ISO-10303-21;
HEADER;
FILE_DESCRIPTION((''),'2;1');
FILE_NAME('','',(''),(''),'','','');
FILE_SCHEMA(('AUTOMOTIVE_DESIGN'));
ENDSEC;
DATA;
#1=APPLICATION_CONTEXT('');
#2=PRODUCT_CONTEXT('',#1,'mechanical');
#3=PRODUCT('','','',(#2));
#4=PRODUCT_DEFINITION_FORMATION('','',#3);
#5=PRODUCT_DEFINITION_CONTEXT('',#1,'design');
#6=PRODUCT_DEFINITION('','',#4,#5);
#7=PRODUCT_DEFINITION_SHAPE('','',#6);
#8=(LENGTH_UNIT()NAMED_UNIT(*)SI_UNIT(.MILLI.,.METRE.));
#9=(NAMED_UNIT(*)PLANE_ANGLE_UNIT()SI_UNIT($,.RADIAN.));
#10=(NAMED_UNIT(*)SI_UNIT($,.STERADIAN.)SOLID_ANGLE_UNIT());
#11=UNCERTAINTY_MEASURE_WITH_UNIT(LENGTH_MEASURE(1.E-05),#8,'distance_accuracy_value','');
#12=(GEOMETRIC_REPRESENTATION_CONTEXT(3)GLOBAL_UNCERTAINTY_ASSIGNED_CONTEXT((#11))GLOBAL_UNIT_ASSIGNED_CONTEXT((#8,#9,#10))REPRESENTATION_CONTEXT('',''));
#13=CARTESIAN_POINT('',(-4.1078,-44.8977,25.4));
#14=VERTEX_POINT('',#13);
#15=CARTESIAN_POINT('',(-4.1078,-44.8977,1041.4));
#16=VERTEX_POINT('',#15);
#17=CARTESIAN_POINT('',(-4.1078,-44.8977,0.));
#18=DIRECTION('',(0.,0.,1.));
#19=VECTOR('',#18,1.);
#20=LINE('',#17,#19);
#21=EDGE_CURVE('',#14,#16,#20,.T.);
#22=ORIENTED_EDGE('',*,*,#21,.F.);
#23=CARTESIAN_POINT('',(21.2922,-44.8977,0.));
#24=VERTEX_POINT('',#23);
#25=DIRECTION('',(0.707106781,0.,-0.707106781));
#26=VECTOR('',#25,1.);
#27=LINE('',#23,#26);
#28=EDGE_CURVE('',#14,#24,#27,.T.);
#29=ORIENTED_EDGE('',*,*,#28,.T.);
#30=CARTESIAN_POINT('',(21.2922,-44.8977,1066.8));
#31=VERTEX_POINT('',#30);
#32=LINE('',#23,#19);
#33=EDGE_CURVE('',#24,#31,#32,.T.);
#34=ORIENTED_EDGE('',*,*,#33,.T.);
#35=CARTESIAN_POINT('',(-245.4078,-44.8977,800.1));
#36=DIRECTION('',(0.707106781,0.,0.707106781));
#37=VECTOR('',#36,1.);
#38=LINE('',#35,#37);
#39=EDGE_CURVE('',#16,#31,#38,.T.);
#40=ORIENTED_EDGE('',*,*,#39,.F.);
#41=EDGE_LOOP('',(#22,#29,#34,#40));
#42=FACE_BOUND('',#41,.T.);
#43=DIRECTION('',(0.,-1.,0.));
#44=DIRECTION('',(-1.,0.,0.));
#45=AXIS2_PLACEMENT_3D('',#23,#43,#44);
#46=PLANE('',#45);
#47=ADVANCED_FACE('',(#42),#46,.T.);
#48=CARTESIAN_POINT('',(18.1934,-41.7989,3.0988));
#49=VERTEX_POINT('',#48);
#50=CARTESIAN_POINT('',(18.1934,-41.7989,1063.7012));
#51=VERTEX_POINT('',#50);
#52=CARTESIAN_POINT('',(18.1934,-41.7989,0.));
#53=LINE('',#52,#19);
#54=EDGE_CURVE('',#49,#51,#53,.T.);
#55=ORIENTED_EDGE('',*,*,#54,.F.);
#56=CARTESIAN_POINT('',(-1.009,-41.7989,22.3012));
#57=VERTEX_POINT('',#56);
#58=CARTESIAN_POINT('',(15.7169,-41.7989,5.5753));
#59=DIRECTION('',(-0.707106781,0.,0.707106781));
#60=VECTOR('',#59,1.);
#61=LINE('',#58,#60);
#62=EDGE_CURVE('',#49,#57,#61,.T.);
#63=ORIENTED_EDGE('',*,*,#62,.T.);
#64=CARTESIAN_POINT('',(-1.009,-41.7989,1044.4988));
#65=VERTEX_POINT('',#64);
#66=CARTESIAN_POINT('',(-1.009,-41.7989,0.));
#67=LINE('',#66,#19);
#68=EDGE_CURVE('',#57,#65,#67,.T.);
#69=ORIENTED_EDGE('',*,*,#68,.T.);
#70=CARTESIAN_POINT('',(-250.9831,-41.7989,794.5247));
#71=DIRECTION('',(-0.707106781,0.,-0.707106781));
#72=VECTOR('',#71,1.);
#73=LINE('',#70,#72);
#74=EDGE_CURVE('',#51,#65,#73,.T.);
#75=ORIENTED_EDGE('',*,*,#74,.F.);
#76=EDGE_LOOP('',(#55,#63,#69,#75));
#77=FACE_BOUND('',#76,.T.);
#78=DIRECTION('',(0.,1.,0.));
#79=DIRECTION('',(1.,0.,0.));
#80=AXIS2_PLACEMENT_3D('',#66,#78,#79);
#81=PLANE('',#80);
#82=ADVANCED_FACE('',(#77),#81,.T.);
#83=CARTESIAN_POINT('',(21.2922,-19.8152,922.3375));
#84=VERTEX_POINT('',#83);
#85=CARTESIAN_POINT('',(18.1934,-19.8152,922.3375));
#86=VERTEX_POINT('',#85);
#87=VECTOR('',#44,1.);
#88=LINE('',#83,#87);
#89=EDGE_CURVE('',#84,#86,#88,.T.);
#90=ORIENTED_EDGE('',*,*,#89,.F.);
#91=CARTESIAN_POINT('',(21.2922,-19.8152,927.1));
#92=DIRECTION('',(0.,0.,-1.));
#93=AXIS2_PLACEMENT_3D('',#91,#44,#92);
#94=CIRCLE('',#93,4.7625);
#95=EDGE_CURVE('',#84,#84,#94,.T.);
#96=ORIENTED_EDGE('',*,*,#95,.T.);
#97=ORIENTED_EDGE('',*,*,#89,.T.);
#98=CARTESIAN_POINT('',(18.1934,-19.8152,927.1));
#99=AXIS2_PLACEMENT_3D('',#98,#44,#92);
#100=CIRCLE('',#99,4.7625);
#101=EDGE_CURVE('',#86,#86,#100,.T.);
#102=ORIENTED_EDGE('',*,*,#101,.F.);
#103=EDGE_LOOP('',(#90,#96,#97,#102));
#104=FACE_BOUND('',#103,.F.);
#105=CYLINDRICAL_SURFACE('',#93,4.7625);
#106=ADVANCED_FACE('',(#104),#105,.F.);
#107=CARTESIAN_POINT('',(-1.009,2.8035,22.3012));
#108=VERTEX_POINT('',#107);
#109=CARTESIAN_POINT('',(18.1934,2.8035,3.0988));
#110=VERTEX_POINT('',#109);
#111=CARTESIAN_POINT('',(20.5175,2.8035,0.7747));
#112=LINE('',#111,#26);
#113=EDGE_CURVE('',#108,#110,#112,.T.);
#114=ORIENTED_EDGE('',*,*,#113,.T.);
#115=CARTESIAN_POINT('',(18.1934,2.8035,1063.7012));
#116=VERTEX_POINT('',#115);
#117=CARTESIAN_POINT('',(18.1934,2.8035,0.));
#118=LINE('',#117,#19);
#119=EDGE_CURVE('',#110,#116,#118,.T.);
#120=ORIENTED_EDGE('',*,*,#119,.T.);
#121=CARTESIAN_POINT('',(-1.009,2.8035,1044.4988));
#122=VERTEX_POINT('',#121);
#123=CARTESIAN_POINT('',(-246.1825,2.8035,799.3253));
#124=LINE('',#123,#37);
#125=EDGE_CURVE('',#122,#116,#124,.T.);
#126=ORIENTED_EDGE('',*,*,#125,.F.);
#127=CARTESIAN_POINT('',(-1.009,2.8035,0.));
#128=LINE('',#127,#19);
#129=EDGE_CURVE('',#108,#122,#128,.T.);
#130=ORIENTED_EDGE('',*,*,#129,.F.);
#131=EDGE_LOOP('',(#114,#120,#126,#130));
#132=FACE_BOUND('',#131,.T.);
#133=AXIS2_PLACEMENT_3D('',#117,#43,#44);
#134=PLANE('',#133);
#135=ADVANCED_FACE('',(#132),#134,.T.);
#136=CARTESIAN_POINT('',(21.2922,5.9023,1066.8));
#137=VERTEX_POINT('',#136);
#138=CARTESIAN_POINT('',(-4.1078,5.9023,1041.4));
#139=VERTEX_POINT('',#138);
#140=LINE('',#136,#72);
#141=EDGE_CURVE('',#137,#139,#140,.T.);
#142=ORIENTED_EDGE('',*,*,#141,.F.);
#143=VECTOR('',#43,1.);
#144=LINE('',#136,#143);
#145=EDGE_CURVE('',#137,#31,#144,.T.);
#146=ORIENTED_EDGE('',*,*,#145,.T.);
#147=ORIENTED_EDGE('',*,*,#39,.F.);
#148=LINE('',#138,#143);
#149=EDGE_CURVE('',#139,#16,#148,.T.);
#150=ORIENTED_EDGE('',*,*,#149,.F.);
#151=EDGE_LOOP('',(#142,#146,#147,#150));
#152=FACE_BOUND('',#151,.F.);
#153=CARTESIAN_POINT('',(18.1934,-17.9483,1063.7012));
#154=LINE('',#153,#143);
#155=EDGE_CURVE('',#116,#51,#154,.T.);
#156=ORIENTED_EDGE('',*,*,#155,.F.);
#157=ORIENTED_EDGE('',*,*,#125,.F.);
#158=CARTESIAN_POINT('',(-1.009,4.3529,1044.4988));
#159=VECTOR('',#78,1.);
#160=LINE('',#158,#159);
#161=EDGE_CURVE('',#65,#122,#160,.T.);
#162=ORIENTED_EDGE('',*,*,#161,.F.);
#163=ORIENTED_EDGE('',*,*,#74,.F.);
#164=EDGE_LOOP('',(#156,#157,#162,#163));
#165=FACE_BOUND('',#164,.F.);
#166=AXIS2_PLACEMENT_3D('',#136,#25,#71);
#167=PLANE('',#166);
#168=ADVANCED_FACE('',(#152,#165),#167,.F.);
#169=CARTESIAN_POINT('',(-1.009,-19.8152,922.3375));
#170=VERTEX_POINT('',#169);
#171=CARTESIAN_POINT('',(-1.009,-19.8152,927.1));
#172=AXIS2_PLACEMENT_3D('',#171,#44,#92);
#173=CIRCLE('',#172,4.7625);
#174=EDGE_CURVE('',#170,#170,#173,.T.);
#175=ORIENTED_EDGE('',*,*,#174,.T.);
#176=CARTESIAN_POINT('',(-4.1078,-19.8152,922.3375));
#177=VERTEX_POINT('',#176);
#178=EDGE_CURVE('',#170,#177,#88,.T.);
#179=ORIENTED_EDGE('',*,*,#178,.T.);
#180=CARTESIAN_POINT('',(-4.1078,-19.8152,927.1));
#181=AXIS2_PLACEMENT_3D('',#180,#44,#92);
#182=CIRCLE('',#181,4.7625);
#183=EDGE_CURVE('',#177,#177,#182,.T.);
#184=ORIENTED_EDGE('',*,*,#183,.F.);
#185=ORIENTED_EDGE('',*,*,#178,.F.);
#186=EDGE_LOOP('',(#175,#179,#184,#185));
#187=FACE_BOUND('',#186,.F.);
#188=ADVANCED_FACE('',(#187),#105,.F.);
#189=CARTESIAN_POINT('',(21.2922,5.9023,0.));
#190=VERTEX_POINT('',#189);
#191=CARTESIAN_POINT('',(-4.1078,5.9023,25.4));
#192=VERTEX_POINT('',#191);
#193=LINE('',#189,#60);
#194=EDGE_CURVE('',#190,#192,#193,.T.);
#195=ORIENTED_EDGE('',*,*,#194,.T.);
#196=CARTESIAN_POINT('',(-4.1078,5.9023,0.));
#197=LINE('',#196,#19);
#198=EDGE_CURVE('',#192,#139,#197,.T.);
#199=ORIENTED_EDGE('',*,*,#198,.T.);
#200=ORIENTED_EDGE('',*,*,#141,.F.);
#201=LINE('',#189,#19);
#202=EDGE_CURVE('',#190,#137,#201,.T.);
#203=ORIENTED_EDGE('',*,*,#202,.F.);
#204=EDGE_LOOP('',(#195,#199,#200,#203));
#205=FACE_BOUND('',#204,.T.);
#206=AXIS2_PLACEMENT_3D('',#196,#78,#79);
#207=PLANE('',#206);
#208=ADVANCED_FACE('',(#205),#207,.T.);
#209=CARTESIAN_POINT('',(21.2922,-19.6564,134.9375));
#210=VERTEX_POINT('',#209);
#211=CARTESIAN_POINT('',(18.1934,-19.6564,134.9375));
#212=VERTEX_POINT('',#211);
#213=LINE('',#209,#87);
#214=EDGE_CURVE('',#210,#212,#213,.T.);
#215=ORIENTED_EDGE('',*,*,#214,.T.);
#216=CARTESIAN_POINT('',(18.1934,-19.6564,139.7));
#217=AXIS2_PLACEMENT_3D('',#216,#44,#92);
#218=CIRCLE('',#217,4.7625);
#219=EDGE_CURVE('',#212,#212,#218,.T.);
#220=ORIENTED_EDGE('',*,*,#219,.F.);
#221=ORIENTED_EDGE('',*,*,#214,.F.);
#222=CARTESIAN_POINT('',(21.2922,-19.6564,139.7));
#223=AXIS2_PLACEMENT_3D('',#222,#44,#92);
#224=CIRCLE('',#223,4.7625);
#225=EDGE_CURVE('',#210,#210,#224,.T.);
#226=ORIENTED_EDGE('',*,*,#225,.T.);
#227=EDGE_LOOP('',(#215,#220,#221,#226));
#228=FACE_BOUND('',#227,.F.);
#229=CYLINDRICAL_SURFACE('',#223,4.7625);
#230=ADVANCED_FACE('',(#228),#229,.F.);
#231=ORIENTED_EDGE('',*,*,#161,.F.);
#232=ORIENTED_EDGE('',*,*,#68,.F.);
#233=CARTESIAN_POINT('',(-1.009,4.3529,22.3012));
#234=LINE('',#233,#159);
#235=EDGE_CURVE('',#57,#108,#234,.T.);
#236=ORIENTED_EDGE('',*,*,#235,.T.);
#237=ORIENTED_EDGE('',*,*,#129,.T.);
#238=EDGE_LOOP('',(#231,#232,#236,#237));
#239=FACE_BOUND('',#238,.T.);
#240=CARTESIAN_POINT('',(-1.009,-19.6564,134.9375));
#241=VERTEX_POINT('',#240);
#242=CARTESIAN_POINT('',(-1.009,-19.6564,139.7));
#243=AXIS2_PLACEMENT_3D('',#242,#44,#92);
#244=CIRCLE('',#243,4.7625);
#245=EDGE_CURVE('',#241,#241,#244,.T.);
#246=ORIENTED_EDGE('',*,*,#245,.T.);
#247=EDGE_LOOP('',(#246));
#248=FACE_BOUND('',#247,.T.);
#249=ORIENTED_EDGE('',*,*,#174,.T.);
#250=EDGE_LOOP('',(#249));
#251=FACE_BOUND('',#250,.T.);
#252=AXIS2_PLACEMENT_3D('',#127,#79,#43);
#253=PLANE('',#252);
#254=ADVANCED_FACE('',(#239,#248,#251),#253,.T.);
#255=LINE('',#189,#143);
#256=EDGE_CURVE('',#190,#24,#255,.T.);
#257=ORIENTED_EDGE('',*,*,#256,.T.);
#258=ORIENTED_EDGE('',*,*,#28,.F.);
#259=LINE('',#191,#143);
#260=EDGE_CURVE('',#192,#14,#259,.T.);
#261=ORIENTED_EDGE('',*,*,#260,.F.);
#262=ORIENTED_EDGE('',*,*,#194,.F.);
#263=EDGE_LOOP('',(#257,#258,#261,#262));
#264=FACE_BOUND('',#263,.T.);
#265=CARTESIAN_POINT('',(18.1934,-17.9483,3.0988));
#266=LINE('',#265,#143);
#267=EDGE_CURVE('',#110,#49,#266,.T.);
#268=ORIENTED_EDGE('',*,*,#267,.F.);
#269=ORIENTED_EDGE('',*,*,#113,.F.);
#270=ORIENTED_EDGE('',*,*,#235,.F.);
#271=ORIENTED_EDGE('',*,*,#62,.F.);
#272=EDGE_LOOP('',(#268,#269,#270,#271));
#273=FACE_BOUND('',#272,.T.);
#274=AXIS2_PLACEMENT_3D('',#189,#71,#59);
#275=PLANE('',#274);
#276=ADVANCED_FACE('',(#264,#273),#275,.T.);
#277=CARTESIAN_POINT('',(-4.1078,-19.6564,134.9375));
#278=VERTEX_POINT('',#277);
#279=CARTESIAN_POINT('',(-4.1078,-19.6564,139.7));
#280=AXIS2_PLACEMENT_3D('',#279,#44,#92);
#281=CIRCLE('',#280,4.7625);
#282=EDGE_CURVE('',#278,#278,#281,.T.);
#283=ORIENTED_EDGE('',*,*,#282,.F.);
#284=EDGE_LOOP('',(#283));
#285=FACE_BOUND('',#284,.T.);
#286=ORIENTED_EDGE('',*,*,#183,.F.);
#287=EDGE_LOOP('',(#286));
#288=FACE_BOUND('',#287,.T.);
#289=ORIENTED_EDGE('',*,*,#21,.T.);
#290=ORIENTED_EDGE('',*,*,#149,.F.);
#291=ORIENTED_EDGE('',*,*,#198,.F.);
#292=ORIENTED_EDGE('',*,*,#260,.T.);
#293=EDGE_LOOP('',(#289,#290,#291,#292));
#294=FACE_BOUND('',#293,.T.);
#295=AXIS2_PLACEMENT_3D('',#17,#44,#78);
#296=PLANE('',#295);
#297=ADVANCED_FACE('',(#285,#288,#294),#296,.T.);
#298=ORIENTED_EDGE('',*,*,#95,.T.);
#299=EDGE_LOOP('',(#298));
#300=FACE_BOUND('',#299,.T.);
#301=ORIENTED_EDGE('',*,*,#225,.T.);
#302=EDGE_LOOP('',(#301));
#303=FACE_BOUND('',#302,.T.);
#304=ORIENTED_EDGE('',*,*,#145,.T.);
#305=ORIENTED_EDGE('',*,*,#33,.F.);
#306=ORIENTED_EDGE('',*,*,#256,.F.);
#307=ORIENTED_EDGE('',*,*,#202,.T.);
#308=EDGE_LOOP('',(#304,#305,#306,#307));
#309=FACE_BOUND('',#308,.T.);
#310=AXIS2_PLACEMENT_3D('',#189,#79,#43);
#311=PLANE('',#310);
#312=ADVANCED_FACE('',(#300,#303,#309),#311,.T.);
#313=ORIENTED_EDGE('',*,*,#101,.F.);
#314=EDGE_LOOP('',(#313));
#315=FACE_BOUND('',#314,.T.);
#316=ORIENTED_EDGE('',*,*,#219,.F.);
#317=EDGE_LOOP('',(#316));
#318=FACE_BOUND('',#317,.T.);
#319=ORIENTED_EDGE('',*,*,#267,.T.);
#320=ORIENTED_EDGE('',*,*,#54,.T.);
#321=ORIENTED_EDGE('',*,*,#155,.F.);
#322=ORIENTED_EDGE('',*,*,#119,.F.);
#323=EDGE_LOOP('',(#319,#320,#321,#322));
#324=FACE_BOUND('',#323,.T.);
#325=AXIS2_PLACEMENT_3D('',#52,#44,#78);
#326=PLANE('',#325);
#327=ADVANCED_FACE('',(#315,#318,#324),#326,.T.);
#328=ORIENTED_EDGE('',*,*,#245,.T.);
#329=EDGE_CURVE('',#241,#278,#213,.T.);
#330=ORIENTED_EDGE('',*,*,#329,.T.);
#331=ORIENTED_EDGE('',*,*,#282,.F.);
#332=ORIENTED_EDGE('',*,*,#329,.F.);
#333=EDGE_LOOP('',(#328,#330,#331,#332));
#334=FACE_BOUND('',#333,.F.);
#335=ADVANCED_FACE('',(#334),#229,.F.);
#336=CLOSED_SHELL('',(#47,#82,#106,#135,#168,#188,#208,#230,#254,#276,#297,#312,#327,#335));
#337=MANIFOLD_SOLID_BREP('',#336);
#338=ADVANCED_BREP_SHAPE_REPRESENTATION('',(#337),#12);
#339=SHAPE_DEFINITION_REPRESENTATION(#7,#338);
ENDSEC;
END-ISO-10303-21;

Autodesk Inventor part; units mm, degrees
ref_plane "YZ Plane" through (0, 0, 0) normal (1, 0, 0) x (0, 1, 0)
ref_plane "XZ Plane" through (0, 0, 0) normal (0, 1, 0) x (-1, 0, 0)
ref_plane "XY Plane" through (0, 0, 0) normal (0, 0, 1) x (1, 0, 0)
sketch "Sketch2" plane through (0, 0, 0) normal (0, 0, 1) x (1, 0, 0)
  line L0 (-4.1078, 5.9023) -> (21.2922, 5.9023)
  line L1 (21.2922, 5.9023) -> (21.2922, -44.8977)
  line L2 (21.2922, -44.8977) -> (-4.1078, -44.8977)
  line L3 (-4.1078, -44.8977) -> (-4.1078, 5.9023)
  line L4 (18.1934, 2.8035) -> (-1.009, 2.8035)
  line L5 (-1.009, 2.8035) -> (-1.009, -41.7989)
  line L6 (-1.009, -41.7989) -> (18.1934, -41.7989)
  line L7 (18.1934, -41.7989) -> (18.1934, 2.8035)
  point P0 (0, 0)
  dimension "d0" = 25.4
  dimension "d1" = 50.8
  dimension "d2" = 3.0988
extrude "Extrusion1" add sketch "Sketch2" along normal blind 1066.8
sketch "Sketch5" plane through (0, 0, 1066.8) normal (0, 0, 1) x (1, 0, 0)
  point P0 (0, 0)
sketch "Sketch6" plane through (-4.1078, 5.9023, 0) normal (0, 1, 0) x (1, 0, 0)
  line L0 (25.4, 0) -> (-1.2066, -26.6066)
  line L1 (0, 0) -> (0, -1066.8) projected
  line L2 (0, -25.4) -> (0, 0)
  line L3 (0, 0) -> (25.4, 0)
  line L4 (0, -1066.8) -> (25.4, -1066.8) projected
  line L5 (25.4, -1066.8) -> (-7.0638, -1034.3362)
  line L6 (25.4, -1066.8) -> (71.3108, -1066.8) construction
  line L7 (0, -1041.4) -> (0, -1066.8)
  line L8 (0, -1066.8) -> (25.4, -1066.8)
  point P0 (4.1078, 0)
  dimension "d11" = 135
extrude "Extrusion2" cut sketch "Sketch6" against normal blind 1066.8 contours L0 L1 L3
extrude "Extrusion3" cut sketch "Sketch6" against normal blind 1066.8 contours L5 L4 L1
sketch "Sketch7" plane through (21.2922, -44.8977, 0) normal (1, 0, 0) x (0, 0, -1)
  line L0 (0, 0) -> (-1066.8, 0) projected
  line L1 (0, 50.4825) -> (-139.7, 50.4825)
  line L2 (-139.7, 50.4825) -> (-139.7, 0)
  line L3 (-139.7, 0) -> (0, 0)
  line L4 (0, 0) -> (0, 50.4825)
  line L5 (-1066.8, 50.4825) -> (-927.1, 50.4825)
  line L6 (-927.1, 50.4825) -> (-927.1, -0.3175)
  line L7 (-927.1, -0.3175) -> (-1066.8, -0.3175)
  line L8 (-1066.8, -0.3175) -> (-1066.8, 50.4825)
  point P0 (0, 44.8977)
  point P1 (-139.7, 25.2412)
  point P2 (-927.1, 25.0825)
  dimension "d12" = 139.7
  dimension "d13" = 139.7
  dimension "d14" = 50.8
hole "Hole1" at (21.2922, -19.8152, 927.1) at (21.2922, -19.6564, 139.7) direction (-1, 0, 0) diameter 9.525 end through all
properties part number "42in 2x1 boxbeam"
